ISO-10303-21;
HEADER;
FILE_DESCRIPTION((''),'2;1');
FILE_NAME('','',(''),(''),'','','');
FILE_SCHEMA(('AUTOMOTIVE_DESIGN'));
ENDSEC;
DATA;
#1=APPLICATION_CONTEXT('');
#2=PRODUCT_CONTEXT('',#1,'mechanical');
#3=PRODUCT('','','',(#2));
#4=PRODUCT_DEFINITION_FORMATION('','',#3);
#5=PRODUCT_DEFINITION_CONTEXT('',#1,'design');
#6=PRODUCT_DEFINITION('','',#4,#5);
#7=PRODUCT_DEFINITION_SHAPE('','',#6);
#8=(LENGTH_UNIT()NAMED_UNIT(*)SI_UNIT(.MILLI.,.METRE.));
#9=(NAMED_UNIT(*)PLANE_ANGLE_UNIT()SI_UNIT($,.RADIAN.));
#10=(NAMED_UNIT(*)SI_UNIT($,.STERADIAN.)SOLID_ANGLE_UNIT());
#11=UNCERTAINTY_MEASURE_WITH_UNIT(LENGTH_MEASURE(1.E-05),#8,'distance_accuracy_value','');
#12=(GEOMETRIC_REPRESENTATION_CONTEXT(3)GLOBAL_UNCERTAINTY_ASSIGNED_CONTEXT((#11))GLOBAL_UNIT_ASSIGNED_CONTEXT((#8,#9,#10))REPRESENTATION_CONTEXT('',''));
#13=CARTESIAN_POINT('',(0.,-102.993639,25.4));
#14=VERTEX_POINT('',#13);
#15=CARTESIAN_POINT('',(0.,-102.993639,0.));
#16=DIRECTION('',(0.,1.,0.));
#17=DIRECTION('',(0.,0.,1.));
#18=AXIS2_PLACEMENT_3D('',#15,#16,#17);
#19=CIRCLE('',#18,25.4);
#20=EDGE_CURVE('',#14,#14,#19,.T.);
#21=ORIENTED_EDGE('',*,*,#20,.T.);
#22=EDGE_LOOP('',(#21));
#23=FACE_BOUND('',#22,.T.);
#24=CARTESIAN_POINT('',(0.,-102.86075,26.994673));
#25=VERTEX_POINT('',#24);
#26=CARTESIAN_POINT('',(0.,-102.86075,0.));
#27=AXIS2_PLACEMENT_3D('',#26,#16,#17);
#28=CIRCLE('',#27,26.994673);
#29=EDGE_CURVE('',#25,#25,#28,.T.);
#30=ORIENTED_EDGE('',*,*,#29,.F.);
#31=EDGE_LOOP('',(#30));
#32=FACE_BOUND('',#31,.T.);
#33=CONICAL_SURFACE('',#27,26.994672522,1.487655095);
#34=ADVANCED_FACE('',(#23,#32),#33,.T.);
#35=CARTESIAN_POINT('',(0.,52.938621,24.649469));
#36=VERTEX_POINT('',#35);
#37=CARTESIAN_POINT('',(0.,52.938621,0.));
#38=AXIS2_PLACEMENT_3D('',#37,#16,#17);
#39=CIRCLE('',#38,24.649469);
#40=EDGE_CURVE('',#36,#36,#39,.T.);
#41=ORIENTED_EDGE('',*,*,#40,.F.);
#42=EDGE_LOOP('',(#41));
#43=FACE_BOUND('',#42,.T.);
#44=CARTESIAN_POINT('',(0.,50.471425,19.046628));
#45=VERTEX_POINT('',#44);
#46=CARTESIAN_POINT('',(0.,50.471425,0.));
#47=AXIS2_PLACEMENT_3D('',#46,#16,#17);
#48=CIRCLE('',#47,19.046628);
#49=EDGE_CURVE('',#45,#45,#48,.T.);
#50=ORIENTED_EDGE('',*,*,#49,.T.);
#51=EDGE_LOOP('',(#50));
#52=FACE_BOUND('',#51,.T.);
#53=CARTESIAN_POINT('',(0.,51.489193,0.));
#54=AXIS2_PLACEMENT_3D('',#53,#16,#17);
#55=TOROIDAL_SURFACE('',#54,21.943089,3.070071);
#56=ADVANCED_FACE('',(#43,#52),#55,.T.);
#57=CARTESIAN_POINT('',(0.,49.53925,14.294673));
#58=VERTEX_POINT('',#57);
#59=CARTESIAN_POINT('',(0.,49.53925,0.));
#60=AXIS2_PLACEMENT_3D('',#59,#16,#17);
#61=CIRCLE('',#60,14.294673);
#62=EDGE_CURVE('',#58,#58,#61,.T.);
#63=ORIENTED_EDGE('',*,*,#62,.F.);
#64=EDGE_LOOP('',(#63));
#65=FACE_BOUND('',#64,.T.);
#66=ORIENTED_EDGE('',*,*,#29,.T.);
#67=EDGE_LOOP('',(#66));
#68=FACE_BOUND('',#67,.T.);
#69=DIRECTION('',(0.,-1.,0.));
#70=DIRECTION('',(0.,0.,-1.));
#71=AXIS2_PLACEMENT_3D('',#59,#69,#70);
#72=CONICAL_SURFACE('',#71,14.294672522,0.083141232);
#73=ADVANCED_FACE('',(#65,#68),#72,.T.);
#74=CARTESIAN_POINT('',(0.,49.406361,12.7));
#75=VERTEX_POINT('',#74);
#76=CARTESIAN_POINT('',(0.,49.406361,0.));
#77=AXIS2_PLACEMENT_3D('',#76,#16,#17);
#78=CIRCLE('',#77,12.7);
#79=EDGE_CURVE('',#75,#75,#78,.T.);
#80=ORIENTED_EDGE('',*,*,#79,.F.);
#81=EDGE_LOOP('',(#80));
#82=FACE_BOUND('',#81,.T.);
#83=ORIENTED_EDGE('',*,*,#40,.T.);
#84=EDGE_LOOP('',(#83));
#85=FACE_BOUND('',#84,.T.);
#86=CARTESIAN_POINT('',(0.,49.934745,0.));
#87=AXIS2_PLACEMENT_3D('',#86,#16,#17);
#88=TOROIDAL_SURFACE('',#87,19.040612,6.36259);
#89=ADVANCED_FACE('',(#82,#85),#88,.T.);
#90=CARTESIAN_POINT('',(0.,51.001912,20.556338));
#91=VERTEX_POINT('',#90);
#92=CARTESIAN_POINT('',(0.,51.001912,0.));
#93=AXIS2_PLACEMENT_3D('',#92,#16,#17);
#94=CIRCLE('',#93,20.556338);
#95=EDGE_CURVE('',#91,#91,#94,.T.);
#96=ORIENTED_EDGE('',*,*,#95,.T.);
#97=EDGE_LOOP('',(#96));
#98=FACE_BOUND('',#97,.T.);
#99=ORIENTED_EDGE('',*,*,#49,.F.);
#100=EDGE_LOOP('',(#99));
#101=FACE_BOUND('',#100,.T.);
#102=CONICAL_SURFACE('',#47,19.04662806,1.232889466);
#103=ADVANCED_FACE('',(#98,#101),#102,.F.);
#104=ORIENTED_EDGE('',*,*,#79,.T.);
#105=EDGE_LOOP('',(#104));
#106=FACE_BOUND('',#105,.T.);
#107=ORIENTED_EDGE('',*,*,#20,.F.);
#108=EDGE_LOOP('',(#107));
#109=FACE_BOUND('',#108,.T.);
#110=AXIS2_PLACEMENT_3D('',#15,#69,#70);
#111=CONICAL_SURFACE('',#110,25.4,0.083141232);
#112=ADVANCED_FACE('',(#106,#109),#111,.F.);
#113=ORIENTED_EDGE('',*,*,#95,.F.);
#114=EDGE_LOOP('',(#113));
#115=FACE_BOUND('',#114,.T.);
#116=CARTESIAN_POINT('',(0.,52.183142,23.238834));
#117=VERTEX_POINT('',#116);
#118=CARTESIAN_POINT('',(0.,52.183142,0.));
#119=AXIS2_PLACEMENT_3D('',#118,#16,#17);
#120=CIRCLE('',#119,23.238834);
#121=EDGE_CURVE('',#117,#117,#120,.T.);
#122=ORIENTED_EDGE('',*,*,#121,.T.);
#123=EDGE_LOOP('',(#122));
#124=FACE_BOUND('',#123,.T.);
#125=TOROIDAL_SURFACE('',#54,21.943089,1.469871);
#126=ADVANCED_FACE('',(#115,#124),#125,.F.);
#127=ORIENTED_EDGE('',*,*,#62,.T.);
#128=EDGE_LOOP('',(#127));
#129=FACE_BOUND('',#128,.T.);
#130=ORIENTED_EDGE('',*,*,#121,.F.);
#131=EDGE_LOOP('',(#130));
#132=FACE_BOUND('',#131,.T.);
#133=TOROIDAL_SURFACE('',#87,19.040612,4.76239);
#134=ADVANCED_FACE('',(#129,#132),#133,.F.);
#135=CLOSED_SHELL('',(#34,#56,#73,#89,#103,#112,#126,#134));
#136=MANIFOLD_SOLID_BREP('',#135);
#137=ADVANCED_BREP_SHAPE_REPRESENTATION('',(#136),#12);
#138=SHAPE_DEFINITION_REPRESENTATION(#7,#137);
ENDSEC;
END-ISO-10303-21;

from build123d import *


with BuildPart() as part:
    # Sketch2 → Revolve1 (revolve)
    with BuildSketch(Plane.XY):
        with BuildLine():
            Line((-12.7, 49.406360504), (-25.4, -102.993639496))
            Line((-25.4, -102.993639496), (-26.994672522, -102.860750119))
            Line((-26.994672522, -102.860750119), (-14.294672522, 49.539249881))
            ThreePointArc((-14.294672522, 49.539249881), (-17.69059731, 54.501780923), (-23.238834198, 52.183141895))
            ThreePointArc((-23.238834198, 52.183141895), (-22.535453925, 50.143970387), (-20.556337766, 51.001911804))
            Line((-20.556337766, 51.001911804), (-19.04662806, 50.471424628))
            ThreePointArc((-19.04662806, 50.471424628), (-23.180342366, 48.679470834), (-24.64946942, 52.938620756))
            ThreePointArc((-24.64946942, 52.938620756), (-17.236981874, 56.036340494), (-12.7, 49.406360504))
        make_face()
    revolve(axis=Axis((0, 76.262194835, 0), (0, -1, 0)))


solid = part.part
